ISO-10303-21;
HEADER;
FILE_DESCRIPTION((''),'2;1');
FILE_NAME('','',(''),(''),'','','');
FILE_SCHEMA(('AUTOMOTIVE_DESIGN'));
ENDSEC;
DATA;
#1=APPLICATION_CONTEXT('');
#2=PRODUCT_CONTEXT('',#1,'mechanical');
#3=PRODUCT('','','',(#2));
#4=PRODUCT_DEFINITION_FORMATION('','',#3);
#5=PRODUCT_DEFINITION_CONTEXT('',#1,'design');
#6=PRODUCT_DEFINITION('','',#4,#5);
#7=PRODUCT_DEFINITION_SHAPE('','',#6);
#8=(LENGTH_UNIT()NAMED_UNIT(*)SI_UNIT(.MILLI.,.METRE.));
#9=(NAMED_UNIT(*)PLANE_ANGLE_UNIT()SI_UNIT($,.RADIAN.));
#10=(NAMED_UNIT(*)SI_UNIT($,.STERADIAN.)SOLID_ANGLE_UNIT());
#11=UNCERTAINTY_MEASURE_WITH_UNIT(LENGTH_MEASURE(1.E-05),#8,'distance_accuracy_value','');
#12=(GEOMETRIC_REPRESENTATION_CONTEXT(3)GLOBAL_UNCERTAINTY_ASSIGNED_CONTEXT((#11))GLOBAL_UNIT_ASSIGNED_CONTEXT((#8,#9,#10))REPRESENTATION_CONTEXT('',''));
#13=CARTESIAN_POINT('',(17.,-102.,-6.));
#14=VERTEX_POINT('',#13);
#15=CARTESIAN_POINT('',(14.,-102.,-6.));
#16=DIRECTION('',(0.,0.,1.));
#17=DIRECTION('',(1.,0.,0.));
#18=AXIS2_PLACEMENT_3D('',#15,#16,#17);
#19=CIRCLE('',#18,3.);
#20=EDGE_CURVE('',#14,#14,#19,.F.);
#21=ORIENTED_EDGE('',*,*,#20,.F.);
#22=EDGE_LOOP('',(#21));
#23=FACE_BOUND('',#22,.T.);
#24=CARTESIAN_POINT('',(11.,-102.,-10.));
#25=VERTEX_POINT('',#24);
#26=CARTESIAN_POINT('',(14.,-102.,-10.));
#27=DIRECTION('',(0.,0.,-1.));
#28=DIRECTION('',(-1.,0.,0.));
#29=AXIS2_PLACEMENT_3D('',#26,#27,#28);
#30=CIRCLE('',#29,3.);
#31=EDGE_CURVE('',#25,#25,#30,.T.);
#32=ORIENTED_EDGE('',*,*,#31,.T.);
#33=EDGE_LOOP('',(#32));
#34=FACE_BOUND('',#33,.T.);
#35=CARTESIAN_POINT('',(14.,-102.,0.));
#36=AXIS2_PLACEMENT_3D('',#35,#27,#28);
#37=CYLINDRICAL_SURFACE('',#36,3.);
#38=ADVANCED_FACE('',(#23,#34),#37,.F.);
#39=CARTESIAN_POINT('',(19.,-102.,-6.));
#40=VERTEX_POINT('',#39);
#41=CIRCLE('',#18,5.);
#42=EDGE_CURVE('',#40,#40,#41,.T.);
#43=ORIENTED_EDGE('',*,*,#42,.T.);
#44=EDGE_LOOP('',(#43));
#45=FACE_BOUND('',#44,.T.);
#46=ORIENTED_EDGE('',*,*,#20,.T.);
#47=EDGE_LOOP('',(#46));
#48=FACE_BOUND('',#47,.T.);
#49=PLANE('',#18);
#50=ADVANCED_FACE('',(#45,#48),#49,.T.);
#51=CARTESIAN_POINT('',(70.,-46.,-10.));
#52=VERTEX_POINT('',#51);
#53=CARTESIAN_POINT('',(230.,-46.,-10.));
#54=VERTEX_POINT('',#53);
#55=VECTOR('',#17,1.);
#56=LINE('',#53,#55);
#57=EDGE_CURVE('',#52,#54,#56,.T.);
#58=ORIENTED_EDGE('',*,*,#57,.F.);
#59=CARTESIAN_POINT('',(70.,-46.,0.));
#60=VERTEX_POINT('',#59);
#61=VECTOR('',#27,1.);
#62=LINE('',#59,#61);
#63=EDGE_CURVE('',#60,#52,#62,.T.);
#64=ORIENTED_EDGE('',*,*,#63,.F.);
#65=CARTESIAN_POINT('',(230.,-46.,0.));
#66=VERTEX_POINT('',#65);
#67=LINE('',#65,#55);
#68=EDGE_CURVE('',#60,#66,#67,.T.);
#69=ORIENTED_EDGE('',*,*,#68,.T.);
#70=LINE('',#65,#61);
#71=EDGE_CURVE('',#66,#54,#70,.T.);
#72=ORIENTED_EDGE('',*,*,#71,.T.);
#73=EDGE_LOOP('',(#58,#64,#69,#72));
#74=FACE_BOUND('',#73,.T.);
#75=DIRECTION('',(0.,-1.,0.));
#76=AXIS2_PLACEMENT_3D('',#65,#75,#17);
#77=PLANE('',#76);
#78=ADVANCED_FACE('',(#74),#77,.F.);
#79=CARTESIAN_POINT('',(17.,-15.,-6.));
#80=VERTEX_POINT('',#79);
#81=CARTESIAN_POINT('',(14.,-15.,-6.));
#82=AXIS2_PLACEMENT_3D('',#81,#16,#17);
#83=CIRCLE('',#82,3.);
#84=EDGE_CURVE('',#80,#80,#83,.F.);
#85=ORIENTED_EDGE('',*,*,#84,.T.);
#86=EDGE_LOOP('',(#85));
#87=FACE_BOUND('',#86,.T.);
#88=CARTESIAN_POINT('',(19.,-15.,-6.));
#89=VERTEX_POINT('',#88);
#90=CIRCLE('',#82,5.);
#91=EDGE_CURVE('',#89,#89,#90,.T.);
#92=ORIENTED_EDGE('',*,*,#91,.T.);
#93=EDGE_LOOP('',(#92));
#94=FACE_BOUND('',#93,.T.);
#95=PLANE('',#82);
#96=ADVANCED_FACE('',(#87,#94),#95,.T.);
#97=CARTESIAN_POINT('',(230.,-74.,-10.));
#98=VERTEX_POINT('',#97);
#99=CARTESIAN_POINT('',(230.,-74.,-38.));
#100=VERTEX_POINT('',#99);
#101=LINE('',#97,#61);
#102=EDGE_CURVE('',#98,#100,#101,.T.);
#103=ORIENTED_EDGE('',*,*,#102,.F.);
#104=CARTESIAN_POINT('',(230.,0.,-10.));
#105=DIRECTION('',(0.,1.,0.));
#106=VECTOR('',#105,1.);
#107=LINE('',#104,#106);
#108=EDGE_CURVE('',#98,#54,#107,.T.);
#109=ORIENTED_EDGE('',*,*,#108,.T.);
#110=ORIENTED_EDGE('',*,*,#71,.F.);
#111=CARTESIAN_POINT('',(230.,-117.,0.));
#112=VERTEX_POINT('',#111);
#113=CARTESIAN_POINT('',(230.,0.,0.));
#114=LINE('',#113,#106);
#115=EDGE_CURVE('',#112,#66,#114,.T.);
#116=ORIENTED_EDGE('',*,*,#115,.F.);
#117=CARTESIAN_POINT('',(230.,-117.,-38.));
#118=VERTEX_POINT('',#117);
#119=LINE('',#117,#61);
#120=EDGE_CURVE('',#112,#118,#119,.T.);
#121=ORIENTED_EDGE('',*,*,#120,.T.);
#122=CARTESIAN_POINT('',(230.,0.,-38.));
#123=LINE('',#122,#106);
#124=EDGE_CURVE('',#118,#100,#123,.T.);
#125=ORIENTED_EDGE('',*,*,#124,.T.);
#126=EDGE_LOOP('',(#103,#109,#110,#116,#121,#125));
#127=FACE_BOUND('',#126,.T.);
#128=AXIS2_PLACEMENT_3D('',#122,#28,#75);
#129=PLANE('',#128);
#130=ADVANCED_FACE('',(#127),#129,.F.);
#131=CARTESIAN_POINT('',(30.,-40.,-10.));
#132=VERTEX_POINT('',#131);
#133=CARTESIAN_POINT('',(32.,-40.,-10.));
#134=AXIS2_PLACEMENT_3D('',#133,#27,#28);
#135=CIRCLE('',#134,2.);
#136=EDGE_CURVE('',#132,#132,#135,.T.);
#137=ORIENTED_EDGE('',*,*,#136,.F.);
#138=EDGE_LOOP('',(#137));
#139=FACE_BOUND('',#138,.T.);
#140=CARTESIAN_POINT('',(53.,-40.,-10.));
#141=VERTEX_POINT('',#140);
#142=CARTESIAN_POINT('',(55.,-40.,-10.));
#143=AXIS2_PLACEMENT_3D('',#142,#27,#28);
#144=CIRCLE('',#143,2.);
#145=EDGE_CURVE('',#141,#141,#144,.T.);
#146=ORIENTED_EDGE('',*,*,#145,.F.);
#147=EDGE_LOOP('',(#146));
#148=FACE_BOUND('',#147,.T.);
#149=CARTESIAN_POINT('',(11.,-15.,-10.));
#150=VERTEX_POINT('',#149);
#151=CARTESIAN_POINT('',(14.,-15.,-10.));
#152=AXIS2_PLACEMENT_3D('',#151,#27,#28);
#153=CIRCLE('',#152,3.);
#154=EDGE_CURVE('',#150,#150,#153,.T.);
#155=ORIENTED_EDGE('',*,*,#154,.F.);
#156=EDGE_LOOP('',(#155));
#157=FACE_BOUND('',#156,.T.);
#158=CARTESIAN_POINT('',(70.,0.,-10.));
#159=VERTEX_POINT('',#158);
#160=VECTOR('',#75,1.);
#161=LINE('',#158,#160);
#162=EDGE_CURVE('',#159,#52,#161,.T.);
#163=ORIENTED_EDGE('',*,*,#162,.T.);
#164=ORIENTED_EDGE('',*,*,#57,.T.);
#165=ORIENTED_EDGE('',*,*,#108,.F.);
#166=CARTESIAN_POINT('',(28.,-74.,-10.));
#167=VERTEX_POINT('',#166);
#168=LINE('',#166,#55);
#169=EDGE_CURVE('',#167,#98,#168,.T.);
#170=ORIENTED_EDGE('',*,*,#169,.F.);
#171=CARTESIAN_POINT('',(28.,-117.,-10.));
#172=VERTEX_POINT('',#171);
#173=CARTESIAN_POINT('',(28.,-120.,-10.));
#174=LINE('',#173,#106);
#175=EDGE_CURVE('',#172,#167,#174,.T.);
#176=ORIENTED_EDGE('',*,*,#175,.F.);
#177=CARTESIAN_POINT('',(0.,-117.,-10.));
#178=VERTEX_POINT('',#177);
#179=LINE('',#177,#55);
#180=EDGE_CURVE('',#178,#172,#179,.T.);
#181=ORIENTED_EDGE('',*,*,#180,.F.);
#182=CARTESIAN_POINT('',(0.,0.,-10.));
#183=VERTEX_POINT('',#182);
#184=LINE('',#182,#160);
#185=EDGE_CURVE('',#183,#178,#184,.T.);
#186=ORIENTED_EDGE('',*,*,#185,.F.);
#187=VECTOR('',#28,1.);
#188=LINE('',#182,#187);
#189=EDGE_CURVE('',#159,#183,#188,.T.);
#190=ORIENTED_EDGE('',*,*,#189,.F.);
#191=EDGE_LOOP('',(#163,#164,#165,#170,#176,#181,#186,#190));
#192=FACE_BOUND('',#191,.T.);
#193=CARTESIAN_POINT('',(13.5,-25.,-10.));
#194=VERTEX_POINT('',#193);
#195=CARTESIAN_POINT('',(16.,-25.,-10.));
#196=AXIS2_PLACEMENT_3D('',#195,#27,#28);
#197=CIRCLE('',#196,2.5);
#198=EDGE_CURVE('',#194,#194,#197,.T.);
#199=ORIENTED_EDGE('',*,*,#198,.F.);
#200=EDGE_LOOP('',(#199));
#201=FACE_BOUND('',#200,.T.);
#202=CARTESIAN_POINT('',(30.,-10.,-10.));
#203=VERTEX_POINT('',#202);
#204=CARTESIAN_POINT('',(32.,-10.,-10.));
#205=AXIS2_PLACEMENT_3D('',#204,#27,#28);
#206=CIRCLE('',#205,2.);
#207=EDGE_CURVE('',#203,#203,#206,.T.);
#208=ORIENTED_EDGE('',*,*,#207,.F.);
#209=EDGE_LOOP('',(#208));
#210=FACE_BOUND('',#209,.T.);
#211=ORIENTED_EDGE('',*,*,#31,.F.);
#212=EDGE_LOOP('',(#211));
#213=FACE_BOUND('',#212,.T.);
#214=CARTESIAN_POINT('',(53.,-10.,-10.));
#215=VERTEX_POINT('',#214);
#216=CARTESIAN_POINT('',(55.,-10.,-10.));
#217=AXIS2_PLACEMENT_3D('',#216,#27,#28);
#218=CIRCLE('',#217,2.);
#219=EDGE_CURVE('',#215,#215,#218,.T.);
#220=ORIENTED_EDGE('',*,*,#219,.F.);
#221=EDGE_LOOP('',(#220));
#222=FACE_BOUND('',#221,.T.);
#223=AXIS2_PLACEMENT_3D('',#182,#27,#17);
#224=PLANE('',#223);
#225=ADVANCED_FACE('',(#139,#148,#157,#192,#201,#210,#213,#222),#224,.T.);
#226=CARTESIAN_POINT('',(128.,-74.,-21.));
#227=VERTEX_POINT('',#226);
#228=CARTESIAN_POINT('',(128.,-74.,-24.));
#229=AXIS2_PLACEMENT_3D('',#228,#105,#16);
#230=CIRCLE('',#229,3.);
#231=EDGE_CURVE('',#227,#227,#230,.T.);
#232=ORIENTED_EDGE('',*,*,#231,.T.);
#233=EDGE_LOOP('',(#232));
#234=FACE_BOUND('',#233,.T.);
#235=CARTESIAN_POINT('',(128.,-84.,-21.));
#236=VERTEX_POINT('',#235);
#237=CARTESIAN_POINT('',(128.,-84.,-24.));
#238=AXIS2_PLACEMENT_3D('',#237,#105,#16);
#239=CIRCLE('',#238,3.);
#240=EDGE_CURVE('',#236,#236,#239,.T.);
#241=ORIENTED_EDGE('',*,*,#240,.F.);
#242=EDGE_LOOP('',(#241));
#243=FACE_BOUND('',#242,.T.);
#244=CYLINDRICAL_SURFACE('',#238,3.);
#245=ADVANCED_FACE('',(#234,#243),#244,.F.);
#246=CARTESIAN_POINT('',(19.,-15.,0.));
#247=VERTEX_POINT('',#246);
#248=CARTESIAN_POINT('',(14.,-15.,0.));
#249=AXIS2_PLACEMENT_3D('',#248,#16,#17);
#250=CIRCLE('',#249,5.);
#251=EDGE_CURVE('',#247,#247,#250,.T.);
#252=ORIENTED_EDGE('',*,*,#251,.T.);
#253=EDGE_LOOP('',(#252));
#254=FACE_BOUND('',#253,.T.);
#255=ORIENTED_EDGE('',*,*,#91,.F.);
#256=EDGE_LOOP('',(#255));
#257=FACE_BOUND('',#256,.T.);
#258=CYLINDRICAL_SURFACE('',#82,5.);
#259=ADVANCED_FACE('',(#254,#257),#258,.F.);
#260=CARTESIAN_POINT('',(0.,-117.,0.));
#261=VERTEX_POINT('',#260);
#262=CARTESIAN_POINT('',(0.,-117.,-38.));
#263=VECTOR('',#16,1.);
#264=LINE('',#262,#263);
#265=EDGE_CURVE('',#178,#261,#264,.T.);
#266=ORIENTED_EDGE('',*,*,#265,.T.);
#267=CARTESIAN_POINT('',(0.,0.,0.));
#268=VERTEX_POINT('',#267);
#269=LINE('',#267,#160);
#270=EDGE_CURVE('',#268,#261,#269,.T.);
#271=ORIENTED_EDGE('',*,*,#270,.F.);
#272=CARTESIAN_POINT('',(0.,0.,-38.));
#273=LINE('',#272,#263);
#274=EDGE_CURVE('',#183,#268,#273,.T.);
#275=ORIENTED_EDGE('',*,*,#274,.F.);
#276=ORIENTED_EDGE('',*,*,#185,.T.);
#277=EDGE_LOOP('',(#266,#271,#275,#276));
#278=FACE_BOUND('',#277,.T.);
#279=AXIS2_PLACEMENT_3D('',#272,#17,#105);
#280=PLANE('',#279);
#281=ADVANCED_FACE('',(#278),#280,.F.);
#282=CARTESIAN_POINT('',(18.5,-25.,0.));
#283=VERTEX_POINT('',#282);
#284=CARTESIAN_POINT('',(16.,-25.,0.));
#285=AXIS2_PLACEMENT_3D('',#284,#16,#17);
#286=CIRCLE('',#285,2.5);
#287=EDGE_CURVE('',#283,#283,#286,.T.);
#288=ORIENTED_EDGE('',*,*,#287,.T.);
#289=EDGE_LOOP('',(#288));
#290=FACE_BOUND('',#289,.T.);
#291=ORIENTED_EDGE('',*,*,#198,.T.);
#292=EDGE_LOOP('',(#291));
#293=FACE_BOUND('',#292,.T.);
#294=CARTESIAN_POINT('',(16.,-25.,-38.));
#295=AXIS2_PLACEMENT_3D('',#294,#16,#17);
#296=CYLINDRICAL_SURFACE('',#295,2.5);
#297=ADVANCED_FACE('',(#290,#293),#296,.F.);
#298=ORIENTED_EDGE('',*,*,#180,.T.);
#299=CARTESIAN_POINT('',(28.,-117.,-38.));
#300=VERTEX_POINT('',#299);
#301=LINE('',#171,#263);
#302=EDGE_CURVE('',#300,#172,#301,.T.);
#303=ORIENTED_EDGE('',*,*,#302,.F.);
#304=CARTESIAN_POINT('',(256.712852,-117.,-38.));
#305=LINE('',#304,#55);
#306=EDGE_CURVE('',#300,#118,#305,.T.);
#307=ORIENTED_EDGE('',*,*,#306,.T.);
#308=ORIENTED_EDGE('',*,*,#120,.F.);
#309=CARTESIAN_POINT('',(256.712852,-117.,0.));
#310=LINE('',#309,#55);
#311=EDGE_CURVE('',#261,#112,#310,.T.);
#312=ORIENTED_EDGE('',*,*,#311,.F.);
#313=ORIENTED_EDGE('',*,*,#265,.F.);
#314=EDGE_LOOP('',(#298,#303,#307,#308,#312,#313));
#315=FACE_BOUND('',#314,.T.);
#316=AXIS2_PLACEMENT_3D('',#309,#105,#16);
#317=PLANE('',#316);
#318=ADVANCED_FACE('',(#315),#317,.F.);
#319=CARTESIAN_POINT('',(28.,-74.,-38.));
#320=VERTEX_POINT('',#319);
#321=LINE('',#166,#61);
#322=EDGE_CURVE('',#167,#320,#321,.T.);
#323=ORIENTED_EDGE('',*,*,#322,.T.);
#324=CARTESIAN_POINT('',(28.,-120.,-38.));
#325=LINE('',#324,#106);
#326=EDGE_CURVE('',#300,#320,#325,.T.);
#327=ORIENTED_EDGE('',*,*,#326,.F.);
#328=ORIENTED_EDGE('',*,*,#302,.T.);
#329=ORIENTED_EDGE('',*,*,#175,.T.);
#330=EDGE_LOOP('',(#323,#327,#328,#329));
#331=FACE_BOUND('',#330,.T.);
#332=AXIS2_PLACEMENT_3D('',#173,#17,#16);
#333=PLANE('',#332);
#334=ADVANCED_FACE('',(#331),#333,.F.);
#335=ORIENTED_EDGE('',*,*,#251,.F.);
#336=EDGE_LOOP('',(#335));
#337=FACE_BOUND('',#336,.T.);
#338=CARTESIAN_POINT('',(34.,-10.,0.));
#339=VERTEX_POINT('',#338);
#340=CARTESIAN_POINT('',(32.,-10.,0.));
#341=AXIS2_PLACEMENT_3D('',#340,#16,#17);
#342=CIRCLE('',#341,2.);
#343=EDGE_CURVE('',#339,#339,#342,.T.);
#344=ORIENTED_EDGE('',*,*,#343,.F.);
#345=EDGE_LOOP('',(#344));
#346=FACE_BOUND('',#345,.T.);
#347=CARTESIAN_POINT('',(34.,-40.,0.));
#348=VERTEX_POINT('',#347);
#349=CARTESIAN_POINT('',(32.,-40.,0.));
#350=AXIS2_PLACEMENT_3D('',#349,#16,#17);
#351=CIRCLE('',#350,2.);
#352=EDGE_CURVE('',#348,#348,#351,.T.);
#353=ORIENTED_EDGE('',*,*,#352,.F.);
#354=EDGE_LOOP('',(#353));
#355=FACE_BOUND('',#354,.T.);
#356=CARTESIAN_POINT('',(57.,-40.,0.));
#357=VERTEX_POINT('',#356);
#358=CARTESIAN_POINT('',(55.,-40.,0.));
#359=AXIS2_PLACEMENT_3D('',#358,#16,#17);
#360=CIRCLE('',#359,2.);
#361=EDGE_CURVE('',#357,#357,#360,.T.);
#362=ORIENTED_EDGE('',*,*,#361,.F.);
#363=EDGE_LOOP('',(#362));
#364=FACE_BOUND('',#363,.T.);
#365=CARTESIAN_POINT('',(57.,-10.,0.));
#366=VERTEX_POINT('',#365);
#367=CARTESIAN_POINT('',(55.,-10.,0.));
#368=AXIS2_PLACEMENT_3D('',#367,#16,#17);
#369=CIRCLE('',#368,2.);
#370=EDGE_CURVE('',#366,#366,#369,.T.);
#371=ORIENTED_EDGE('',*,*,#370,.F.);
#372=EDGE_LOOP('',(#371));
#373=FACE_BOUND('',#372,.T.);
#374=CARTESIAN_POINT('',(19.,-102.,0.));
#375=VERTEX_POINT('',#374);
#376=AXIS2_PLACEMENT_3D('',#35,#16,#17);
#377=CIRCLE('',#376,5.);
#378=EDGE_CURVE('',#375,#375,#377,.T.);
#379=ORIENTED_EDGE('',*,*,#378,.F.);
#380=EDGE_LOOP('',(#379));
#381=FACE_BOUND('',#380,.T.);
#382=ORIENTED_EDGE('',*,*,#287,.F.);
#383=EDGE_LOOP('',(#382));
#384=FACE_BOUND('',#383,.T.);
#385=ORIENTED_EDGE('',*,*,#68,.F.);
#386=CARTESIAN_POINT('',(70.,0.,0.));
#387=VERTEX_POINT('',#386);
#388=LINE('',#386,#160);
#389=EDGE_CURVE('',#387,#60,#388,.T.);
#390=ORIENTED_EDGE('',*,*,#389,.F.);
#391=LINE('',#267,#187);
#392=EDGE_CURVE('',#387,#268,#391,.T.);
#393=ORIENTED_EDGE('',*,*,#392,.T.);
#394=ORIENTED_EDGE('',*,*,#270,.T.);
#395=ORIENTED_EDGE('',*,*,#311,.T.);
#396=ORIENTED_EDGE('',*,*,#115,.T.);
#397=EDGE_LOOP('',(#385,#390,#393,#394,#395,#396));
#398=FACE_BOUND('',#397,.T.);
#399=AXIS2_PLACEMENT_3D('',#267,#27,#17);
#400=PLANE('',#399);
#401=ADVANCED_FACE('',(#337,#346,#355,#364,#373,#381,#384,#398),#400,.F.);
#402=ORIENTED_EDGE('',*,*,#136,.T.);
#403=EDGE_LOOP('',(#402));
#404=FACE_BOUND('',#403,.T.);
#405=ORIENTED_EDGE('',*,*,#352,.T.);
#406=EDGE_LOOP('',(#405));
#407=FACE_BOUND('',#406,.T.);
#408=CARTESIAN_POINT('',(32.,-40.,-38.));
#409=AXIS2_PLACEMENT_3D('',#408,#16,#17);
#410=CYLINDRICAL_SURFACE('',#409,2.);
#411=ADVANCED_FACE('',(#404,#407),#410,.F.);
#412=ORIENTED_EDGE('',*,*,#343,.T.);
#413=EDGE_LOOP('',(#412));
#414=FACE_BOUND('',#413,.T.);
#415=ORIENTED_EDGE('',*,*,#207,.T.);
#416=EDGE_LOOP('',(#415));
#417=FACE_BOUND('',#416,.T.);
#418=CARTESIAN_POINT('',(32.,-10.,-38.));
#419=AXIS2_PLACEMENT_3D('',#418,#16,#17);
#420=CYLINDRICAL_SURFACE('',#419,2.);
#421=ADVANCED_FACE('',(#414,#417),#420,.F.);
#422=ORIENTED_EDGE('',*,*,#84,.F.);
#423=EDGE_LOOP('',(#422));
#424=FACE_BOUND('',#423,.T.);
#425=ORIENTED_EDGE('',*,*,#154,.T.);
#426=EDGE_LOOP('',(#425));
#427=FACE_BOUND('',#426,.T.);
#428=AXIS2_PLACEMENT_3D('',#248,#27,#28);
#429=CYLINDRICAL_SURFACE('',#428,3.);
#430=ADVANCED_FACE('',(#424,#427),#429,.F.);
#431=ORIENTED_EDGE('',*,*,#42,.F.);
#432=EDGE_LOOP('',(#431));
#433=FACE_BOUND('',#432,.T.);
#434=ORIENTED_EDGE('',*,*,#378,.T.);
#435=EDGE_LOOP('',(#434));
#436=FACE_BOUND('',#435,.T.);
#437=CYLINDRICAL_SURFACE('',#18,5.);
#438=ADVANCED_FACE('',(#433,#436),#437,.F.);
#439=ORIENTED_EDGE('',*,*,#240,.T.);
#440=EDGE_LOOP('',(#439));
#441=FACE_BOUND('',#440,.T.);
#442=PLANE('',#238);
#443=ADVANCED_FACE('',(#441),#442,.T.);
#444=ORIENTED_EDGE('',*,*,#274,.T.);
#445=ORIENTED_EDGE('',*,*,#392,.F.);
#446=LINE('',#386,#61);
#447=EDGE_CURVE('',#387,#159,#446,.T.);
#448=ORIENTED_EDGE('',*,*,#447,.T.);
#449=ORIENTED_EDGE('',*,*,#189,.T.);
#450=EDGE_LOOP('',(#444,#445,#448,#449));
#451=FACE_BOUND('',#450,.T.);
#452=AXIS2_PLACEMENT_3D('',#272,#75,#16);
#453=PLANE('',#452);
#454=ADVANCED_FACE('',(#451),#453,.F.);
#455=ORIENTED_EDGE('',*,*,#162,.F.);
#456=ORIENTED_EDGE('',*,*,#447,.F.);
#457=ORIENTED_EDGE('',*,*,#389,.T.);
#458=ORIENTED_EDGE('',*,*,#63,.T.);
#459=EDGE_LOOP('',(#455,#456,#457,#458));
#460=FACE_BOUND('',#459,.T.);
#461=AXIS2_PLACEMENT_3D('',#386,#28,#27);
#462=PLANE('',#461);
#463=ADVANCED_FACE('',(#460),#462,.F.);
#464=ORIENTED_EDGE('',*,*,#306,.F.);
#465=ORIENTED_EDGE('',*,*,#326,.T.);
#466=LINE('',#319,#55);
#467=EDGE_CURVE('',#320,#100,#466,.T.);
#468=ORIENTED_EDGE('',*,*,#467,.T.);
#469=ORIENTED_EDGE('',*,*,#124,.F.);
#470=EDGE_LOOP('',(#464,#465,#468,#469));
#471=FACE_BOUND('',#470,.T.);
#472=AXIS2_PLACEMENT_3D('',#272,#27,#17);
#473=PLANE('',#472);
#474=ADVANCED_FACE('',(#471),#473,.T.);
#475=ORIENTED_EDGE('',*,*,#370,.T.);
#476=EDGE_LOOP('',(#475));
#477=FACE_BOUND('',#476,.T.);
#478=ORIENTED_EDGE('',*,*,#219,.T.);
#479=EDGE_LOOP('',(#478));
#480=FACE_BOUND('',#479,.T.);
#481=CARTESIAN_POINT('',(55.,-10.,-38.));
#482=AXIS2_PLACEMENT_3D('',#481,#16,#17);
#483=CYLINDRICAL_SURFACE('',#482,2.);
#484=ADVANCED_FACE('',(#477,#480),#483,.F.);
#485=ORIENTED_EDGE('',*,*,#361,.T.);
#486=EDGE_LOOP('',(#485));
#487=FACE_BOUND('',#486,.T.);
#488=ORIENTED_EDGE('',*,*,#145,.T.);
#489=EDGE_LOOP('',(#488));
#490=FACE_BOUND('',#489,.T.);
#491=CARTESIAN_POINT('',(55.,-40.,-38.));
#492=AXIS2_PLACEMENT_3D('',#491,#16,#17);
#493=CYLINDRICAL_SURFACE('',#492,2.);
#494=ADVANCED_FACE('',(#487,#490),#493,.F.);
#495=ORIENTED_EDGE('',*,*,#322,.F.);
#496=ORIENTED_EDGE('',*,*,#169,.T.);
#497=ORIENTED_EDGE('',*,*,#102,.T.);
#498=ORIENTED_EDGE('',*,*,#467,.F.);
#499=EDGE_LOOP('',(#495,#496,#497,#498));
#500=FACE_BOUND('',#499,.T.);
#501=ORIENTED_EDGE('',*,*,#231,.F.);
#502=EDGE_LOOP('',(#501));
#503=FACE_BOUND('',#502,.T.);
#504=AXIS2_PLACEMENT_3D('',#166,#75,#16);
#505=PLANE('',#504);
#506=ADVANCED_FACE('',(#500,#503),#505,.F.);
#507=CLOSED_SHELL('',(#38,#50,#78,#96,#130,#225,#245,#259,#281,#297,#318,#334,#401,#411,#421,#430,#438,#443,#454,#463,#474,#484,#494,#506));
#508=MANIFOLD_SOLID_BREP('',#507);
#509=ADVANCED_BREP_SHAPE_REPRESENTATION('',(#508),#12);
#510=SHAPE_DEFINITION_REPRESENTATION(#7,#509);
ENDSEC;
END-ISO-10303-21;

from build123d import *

# Parameters (mm, degrees)
SKETCH2_W           = 230
SKETCH2_H           = 120
BOSS_EXTRUDE1_DEPTH = 38
CUT_EXTRUDE1_DEPTH  = 28
SKETCH4_W           = 160
SKETCH4_H           = 46
CUT_EXTRUDE2_DEPTH  = 261.929109147
SKETCH5_R           = 3
CUT_EXTRUDE3_DEPTH  = 10
SKETCH9_W           = 276.739384021
SKETCH9_H           = 54.976414544
CUT_EXTRUDE5_DEPTH  = 263.190770242
SKETCH6_R           = 3
CUT_EXTRUDE4_DEPTH  = 260.563094449
SKETCH10_R          = 5
CUT_EXTRUDE6_DEPTH  = 6
SKETCH11_R          = 2
CUT_EXTRUDE7_DEPTH  = 261.831363145
SKETCH12_R          = 2.5
CUT_EXTRUDE8_DEPTH  = 261.831363145


with BuildPart() as part:
    # Sketch2 → Boss-Extrude1 (new body)
    with BuildSketch(Plane.XY):
        with Locations((115, -60)):
            Rectangle(SKETCH2_W, SKETCH2_H)
    extrude(amount=BOSS_EXTRUDE1_DEPTH)

    # Sketch3 → Cut-Extrude1 (cut)
    with BuildSketch(Plane.XY.offset(38)):
        Polygon((28, -120), (28, -74), (230, -74), (230, 0), (0, 0), (0, -120), align=None)
    extrude(amount=-CUT_EXTRUDE1_DEPTH, mode=Mode.SUBTRACT)

    # Sketch4 → Cut-Extrude2 (cut, through all)
    with BuildSketch(Plane.XY.offset(10)):
        with Locations((150, -23)):
            Rectangle(SKETCH4_W, SKETCH4_H)
    extrude(amount=-CUT_EXTRUDE2_DEPTH, mode=Mode.SUBTRACT)


with BuildPart() as body_2:
    # Mirror2: mirrored copy
    add(part.part.mirror(Plane(origin=(102.272727273, -73.454545455, 0), x_dir=(1, 0, 0), z_dir=(0, 0, -1))))

    # Sketch5 → Cut-Extrude3 (cut)
    with BuildSketch(Plane(origin=(0, -74, 0), x_dir=(1, 0, 0), z_dir=(0, 1, 0))):
        with Locations(Location((128, 24, 0), (0, 0, 270))):
            Circle(SKETCH5_R)
    extrude(amount=-CUT_EXTRUDE3_DEPTH, mode=Mode.SUBTRACT)

    # Sketch9 → Cut-Extrude5 (cut, through all)
    with BuildSketch(Plane(origin=(0, 0, -38), x_dir=(-1, 0, 0), z_dir=(0, 0, -1))):
        with Locations((-118.343160344, -144.488207272)):
            Rectangle(SKETCH9_W, SKETCH9_H)
    extrude(amount=-CUT_EXTRUDE5_DEPTH, mode=Mode.SUBTRACT)

    # Sketch6 → Cut-Extrude4 (cut, through all)
    with BuildSketch(Plane(origin=(0, 0, -10), x_dir=(-1, 0, 0), z_dir=(0, 0, -1))):
        with Locations((-14, -102)):
            Circle(SKETCH6_R)
        with Locations((-14, -15)):
            Circle(SKETCH6_R)
    extrude(amount=-CUT_EXTRUDE4_DEPTH, mode=Mode.SUBTRACT)

    # Sketch10 → Cut-Extrude6 (cut)
    with BuildSketch(Plane.XY):
        with Locations((14, -15)):
            Circle(SKETCH10_R)
        with Locations((14, -102)):
            Circle(SKETCH10_R)
    extrude(amount=-CUT_EXTRUDE6_DEPTH, mode=Mode.SUBTRACT)

    # Sketch11 → Cut-Extrude7 (cut, through all)
    with BuildSketch(Plane.XY):
        with Locations((55, -40)):
            Circle(SKETCH11_R)
        with Locations((55, -10)):
            Circle(SKETCH11_R)
        with Locations((32, -10)):
            Circle(SKETCH11_R)
        with Locations((32, -40)):
            Circle(SKETCH11_R)
    extrude(amount=-CUT_EXTRUDE7_DEPTH, mode=Mode.SUBTRACT)

    # Sketch12 → Cut-Extrude8 (cut, through all)
    with BuildSketch(Plane.XY):
        with Locations((16, -25)):
            Circle(SKETCH12_R)
    extrude(amount=-CUT_EXTRUDE8_DEPTH, mode=Mode.SUBTRACT)


solid = body_2.part
